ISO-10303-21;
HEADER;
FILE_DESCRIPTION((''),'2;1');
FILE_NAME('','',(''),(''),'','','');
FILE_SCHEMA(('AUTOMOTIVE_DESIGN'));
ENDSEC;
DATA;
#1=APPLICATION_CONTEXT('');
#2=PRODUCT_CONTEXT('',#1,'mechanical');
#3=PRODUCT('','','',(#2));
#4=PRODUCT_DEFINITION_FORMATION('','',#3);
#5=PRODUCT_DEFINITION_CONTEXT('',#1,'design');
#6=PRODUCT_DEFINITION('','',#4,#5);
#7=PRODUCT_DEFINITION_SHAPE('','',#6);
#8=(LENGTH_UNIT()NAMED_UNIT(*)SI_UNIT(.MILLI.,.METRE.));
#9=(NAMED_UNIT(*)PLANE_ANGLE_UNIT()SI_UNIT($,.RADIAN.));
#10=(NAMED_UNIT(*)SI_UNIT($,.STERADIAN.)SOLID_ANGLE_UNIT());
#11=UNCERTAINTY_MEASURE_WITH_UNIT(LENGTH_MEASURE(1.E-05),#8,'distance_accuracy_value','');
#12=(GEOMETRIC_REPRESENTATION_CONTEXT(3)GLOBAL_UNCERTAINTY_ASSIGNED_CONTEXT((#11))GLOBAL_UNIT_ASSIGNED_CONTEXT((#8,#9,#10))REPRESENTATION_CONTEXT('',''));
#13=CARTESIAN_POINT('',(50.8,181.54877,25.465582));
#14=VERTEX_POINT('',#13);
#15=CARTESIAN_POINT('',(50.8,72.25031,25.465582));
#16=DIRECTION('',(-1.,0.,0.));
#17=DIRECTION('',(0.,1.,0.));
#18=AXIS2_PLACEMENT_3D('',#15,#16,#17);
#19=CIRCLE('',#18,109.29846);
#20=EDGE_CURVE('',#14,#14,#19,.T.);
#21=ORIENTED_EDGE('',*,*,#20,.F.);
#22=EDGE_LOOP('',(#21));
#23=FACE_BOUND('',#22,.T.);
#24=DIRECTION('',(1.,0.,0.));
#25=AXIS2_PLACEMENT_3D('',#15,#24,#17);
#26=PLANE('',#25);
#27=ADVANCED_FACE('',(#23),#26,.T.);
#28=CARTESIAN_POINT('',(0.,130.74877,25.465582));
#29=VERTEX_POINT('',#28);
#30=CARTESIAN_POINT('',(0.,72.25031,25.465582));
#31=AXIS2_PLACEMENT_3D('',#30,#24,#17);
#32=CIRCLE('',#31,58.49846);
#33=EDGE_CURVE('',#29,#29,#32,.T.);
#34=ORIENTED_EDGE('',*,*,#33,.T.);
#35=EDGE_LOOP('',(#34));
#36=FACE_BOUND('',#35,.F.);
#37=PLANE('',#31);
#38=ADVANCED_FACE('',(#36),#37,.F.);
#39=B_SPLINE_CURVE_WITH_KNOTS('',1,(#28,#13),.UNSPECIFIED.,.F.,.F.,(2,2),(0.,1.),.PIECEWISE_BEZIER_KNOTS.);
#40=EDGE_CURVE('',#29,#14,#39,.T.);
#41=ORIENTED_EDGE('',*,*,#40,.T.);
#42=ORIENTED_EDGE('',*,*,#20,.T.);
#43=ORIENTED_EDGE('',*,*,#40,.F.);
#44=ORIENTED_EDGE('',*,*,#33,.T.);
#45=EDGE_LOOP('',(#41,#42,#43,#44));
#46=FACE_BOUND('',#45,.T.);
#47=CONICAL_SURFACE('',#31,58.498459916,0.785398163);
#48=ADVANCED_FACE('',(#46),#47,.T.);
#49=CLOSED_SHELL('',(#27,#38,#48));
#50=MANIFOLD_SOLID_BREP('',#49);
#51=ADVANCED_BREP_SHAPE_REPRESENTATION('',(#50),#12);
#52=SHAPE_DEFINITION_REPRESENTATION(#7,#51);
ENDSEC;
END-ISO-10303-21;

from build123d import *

# Parameters (mm, degrees)
F0_R     = 58.4984599159
F1_DEPTH = 50.8
F1_TAPER = -45


with BuildPart() as f1:
    # F0 (on Right) → F1 (new body)
    with BuildSketch(Plane.YZ):
        with Locations((72.2503102047, 25.4655817923)):
            Circle(F0_R)
    extrude(amount=F1_DEPTH, taper=F1_TAPER)


solid = f1.part
